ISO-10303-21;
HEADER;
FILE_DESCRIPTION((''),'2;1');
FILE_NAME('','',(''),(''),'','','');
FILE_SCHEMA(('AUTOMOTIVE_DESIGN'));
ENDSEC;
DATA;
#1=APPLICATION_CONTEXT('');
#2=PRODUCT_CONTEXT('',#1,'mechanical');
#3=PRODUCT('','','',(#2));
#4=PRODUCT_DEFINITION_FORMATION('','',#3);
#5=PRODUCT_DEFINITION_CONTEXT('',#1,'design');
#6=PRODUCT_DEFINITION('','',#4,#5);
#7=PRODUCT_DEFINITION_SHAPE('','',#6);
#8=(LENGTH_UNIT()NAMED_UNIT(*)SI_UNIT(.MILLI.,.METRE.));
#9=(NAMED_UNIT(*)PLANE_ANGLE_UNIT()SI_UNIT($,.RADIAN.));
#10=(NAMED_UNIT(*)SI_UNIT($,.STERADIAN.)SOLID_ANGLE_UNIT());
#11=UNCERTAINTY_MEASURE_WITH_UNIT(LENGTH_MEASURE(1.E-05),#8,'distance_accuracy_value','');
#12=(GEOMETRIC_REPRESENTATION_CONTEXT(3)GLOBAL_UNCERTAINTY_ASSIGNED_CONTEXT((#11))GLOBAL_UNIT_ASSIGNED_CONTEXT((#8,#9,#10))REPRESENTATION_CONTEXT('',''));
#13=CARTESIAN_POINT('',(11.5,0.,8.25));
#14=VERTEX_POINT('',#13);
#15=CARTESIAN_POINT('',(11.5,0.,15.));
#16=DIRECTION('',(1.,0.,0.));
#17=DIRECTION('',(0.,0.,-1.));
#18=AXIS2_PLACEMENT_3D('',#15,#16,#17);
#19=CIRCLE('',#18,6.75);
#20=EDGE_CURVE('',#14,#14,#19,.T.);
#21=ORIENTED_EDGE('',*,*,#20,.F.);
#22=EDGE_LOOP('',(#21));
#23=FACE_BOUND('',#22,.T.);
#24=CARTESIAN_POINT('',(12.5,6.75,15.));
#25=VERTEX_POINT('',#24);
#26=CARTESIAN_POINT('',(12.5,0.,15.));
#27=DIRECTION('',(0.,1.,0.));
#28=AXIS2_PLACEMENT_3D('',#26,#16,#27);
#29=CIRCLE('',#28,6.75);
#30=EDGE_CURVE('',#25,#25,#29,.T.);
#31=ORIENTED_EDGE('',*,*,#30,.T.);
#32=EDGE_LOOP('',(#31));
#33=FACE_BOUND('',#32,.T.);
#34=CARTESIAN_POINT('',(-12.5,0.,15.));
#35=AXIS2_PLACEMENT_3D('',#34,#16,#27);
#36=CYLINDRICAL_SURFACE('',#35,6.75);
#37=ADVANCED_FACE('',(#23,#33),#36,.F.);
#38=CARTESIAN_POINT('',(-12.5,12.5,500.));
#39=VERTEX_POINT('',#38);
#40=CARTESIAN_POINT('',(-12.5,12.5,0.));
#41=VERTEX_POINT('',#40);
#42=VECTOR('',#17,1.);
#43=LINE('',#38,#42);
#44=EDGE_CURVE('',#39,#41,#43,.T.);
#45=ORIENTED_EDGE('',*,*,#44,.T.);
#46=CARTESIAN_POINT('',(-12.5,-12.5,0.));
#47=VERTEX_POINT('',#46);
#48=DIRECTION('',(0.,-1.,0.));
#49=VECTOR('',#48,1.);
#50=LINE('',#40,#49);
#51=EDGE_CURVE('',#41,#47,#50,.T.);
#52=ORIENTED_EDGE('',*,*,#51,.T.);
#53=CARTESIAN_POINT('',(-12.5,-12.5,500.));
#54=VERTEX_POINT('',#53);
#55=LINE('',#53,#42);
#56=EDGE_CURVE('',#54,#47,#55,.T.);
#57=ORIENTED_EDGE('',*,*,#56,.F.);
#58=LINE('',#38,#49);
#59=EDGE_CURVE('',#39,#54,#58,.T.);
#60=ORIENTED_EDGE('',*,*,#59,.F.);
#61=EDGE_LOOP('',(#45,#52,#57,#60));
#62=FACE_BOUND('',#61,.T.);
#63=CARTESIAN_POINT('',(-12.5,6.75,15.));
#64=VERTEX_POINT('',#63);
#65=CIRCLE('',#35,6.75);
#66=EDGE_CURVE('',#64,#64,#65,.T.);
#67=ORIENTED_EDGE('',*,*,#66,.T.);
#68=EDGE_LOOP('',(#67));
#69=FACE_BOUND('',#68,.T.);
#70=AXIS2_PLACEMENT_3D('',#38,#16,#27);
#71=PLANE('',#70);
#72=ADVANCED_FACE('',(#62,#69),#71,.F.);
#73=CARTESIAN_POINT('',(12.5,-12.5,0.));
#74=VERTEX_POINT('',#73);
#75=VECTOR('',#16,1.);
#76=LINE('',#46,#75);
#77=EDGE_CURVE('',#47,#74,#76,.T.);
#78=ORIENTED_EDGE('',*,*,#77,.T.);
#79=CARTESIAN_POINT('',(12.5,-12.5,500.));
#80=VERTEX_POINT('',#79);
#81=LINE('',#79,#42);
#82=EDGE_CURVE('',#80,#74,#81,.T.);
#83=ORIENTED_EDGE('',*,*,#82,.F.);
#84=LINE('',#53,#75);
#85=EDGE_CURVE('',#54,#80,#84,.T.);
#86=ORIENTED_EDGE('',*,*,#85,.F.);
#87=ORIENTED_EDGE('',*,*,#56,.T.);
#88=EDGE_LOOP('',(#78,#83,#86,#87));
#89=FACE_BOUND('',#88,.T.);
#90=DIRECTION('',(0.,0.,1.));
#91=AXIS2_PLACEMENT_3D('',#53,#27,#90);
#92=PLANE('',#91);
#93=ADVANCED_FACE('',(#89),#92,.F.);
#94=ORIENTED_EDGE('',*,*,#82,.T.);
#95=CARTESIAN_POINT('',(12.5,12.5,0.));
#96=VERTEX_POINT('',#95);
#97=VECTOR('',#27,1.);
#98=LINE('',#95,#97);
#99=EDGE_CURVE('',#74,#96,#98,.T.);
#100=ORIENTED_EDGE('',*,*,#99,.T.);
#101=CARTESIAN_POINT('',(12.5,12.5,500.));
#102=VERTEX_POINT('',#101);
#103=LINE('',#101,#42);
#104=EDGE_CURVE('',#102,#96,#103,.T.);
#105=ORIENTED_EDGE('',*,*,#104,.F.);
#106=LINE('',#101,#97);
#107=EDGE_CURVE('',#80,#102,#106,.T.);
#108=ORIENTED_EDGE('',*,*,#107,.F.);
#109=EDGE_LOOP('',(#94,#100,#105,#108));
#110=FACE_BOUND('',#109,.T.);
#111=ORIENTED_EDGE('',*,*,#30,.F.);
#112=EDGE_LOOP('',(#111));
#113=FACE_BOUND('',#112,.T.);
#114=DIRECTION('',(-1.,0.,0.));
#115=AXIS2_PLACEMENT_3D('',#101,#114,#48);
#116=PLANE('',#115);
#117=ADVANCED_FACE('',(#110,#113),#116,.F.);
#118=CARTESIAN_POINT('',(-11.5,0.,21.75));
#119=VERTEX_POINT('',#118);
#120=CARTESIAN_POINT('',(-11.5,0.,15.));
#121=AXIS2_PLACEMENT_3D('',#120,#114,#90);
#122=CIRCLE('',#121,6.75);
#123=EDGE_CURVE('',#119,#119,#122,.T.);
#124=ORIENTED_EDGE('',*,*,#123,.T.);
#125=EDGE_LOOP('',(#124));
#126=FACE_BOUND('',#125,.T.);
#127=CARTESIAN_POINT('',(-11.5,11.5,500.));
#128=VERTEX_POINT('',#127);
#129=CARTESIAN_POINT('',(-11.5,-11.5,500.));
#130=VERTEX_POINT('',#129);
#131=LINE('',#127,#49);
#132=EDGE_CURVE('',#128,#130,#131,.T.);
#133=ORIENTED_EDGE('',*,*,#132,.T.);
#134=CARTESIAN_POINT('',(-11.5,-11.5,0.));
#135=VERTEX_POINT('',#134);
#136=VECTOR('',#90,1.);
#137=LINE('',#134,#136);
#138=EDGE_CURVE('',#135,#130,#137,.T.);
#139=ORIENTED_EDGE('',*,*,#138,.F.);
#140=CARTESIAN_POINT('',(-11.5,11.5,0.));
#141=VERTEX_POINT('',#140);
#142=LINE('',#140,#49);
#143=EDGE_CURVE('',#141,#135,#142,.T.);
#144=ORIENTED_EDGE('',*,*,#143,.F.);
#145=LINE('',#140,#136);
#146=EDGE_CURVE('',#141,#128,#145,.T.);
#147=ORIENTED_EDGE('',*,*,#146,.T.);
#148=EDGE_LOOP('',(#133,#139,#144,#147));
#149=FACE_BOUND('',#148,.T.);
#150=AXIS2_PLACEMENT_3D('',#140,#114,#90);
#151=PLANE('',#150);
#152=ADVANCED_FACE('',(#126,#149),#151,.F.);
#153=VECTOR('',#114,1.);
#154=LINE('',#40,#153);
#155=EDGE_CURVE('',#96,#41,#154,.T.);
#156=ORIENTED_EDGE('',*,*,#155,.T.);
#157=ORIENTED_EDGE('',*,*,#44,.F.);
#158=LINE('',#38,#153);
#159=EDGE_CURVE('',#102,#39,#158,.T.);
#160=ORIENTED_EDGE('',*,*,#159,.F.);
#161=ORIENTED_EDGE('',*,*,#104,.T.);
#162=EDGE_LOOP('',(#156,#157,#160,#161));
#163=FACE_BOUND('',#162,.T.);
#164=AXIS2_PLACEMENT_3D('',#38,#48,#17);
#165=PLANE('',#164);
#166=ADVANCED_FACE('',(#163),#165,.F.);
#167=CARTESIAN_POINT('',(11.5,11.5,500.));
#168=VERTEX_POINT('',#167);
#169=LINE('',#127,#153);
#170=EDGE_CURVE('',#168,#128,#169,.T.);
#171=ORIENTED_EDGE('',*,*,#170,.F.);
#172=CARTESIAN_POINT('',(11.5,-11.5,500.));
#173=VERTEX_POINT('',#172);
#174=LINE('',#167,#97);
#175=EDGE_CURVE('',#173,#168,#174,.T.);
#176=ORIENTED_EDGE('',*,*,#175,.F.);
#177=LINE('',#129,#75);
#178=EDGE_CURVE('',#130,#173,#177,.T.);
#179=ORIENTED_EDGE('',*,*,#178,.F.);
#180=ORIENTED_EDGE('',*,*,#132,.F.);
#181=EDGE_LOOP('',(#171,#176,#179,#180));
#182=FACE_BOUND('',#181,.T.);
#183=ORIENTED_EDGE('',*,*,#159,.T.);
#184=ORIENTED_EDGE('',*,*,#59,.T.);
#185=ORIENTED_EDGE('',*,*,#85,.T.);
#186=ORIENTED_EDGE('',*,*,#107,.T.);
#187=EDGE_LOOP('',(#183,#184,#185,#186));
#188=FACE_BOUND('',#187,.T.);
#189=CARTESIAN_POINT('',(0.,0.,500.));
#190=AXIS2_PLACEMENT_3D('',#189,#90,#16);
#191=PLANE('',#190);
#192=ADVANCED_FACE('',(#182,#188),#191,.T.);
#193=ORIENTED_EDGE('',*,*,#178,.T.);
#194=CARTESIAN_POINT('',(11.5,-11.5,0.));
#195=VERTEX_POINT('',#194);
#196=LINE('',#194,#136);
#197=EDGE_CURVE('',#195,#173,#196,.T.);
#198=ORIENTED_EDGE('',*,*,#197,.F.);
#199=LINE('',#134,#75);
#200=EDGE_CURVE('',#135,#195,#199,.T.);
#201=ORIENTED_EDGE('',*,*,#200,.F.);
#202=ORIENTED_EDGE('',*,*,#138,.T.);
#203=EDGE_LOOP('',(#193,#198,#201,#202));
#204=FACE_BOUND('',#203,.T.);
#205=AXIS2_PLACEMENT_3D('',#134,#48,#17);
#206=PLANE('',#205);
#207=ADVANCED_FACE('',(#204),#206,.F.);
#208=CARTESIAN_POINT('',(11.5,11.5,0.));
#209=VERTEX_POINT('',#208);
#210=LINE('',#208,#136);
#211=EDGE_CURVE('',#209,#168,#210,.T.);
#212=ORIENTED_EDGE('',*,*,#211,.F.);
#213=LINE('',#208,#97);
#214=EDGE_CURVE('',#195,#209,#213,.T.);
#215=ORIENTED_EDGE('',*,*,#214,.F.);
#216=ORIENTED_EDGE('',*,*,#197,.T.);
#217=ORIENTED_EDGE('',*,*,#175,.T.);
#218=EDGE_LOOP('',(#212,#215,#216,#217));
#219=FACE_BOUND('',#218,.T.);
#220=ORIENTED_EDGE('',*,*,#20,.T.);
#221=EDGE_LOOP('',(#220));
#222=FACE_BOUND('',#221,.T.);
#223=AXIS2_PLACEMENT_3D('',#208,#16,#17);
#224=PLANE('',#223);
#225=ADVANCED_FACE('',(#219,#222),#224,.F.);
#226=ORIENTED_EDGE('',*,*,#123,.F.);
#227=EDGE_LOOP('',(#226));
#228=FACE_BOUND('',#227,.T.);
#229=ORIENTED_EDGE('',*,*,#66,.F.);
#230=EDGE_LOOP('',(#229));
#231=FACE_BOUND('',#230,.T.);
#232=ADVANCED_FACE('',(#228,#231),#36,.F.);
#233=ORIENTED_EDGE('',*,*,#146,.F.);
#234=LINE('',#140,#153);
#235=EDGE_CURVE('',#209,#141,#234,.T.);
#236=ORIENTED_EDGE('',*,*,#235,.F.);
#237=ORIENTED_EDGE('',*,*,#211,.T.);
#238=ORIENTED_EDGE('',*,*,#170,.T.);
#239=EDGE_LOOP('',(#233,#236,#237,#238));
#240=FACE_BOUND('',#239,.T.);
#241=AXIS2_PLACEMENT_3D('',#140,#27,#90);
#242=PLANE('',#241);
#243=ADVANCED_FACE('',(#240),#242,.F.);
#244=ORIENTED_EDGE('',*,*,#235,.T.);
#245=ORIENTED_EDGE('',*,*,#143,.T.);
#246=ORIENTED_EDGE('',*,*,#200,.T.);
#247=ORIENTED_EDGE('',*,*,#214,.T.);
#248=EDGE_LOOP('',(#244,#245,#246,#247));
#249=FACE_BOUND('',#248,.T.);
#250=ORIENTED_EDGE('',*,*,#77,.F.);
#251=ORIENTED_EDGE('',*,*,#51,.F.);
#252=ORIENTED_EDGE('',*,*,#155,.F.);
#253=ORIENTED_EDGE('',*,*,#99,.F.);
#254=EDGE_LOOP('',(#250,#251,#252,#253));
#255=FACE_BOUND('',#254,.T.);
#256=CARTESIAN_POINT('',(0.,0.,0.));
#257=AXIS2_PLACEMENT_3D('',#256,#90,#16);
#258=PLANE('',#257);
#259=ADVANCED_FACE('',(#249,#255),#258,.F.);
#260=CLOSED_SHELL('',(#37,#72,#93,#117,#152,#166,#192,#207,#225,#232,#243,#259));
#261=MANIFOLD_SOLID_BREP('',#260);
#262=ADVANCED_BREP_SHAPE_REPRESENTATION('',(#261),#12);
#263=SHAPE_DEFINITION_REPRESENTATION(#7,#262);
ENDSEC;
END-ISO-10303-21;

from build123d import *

# Parameters (mm, degrees)
SKETCH1_W           = 25
SKETCH1_H           = 25
BOSS_EXTRUDE1_DEPTH = 500
SKETCH2_W           = 23
SKETCH2_H           = 23
CUT_EXTRUDE1_DEPTH  = 501.312402405
SKETCH3_R           = 6.75
CUT_EXTRUDE2_DEPTH  = 501.7806406


with BuildPart() as part:
    # Sketch1 → Boss-Extrude1 (new body)
    with BuildSketch(Plane.XY):
        Rectangle(SKETCH1_W, SKETCH1_H)
    extrude(amount=BOSS_EXTRUDE1_DEPTH)

    # Sketch2 → Cut-Extrude1 (cut, through all)
    with BuildSketch(Plane.XY.offset(500)):
        Rectangle(SKETCH2_W, SKETCH2_H)
    extrude(amount=-CUT_EXTRUDE1_DEPTH, mode=Mode.SUBTRACT)

    # Sketch3 → Cut-Extrude2 (cut, through all)
    with BuildSketch(Plane(origin=(12.5, 0, 0), x_dir=(0, 0, -1), z_dir=(1, 0, 0))):
        with Locations(Location((-15, 0, 0), (0, 0, 90))):
            Circle(SKETCH3_R)
    extrude(amount=-CUT_EXTRUDE2_DEPTH, mode=Mode.SUBTRACT)


solid = part.part
